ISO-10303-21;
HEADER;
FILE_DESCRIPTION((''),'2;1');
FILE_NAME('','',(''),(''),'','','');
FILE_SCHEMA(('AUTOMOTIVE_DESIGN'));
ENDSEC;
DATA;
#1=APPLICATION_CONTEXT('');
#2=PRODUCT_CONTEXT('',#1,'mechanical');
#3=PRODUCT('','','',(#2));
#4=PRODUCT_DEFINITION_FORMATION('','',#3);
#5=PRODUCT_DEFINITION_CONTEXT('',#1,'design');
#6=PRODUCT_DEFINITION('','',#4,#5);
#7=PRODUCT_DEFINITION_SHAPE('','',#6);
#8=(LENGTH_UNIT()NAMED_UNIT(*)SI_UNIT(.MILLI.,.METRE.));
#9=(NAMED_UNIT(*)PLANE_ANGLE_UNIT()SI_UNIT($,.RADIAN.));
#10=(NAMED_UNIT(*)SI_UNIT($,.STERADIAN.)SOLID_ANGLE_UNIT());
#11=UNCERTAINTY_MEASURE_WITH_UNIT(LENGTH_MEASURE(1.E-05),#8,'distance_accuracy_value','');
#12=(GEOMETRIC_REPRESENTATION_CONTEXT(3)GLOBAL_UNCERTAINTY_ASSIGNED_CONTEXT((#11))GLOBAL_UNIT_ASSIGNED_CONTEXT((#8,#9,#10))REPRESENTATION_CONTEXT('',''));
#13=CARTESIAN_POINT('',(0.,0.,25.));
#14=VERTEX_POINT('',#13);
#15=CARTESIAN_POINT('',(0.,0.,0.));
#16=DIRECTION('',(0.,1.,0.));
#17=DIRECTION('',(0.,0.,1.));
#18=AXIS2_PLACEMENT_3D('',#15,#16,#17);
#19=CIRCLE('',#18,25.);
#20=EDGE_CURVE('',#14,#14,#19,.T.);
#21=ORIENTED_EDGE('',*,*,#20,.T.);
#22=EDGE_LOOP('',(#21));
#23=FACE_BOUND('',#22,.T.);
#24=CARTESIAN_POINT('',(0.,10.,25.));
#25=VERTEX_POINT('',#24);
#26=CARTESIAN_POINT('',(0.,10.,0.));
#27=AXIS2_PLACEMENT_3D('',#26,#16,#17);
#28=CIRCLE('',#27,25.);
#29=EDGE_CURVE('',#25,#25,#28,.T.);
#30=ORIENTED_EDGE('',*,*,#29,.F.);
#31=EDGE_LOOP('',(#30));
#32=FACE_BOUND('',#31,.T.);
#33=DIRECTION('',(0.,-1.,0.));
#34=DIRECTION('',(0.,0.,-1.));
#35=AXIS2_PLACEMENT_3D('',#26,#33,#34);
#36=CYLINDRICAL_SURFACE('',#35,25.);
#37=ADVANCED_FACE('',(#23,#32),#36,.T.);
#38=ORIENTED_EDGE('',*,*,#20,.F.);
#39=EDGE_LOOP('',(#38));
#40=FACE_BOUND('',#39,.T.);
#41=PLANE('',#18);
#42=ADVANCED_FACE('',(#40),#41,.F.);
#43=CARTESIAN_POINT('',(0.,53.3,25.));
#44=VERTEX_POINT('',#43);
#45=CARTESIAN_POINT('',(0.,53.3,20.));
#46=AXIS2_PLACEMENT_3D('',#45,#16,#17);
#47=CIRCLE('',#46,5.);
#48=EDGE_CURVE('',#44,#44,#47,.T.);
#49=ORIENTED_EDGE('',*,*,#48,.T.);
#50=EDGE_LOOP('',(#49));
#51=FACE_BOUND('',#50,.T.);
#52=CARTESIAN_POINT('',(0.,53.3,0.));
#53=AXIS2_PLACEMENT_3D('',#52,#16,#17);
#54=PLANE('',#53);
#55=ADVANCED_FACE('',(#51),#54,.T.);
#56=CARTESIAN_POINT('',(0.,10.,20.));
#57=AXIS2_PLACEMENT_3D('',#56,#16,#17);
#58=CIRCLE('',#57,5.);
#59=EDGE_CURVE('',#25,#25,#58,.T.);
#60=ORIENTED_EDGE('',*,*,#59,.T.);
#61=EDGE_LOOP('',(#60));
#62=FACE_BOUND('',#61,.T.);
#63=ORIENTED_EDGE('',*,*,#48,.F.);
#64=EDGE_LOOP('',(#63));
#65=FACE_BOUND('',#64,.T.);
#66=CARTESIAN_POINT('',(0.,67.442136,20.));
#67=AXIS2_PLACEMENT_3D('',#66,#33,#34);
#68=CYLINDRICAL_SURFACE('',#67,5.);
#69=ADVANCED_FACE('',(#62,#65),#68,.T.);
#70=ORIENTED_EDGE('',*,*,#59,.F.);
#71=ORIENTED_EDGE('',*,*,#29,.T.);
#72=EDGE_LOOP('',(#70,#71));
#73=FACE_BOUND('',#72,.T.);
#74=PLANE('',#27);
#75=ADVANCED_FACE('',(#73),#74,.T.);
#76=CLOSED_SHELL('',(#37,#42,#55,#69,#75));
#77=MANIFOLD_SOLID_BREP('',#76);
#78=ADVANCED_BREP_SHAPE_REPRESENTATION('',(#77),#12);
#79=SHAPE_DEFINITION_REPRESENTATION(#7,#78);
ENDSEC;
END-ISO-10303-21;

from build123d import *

# Parameters (mm, degrees)
ESQUISSE1_R        = 25
BOSS_EXTRU_1_DEPTH = 10
ESQUISSE2_R        = 5
BOSS_EXTRU_2_DEPTH = 43.3


with BuildPart() as part:
    # Esquisse1 → Boss.-Extru.1 (new body)
    with BuildSketch(Plane(origin=(0, 0, 0), x_dir=(1, 0, 0), z_dir=(0, 1, 0))):
        with Locations(Location((0, 0, 0), (0, 0, 270))):  # turned: the seam where the file's is
            Circle(ESQUISSE1_R)
    extrude(amount=BOSS_EXTRU_1_DEPTH)

    # Esquisse2 → Boss.-Extru.2 (add)
    with BuildSketch(Plane(origin=(0, 10, 0), x_dir=(1, 0, 0), z_dir=(0, 1, 0))):
        with Locations(Location((0, -20, 0), (0, 0, 270))):  # turned: the seam where the file's is
            Circle(ESQUISSE2_R)
    extrude(amount=BOSS_EXTRU_2_DEPTH)


solid = part.part
